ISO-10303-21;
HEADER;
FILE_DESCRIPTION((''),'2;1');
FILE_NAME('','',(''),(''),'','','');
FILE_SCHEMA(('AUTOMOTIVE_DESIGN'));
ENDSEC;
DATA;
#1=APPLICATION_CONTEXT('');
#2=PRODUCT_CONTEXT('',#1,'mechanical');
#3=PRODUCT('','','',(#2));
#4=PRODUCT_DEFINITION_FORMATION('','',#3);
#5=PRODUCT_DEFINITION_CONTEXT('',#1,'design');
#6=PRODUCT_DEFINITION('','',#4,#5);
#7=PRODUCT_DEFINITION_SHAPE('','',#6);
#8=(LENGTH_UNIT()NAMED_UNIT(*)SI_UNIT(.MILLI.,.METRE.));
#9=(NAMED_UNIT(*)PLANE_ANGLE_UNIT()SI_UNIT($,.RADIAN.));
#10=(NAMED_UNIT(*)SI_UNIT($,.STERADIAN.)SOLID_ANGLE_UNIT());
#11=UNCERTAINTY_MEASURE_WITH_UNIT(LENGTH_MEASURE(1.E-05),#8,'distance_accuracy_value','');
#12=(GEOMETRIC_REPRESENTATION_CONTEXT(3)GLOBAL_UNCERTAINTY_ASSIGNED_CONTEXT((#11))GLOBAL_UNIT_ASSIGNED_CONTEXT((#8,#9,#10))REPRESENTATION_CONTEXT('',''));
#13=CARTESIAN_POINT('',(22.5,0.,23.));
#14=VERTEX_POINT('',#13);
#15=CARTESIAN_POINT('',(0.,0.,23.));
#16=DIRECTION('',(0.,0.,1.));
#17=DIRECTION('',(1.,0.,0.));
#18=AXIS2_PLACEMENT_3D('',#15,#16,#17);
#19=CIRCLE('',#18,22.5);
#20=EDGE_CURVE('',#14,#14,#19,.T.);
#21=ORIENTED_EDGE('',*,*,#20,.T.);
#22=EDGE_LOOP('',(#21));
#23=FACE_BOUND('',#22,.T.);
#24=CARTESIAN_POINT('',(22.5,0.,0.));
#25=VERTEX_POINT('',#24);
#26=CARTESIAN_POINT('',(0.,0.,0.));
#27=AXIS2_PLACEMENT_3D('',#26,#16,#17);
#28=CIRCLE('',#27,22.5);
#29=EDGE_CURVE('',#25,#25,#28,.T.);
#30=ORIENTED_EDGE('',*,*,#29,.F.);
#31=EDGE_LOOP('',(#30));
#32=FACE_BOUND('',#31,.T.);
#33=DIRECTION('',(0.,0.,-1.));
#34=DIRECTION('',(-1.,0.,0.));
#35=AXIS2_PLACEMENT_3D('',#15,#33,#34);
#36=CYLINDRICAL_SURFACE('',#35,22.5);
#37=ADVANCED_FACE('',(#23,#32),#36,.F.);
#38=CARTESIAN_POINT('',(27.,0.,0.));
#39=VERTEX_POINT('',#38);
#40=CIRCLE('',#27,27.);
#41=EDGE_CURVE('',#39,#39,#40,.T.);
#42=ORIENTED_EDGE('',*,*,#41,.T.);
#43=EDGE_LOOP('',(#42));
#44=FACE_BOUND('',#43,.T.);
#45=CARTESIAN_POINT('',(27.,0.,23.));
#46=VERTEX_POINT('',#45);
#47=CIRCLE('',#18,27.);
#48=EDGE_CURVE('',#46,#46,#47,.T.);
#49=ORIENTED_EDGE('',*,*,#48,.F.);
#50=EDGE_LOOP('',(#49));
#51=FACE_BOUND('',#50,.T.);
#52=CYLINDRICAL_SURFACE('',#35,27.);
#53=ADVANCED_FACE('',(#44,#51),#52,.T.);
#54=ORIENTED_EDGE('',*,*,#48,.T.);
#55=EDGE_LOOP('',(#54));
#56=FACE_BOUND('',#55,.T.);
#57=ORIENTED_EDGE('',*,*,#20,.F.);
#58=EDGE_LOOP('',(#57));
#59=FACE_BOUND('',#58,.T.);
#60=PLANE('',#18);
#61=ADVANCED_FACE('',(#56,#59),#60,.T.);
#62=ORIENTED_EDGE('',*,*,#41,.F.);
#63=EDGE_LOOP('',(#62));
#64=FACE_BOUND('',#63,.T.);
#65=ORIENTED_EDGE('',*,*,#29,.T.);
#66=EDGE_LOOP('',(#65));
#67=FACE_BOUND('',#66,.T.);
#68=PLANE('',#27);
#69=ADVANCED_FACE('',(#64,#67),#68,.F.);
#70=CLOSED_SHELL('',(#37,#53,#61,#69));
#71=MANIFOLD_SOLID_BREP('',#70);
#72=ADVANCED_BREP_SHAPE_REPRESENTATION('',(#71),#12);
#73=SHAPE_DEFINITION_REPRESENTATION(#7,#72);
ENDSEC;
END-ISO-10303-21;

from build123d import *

# Parameters (mm, degrees)
ESBO_O1_R                = 27
ESBO_O1_R_2              = 22.5
RESSALTO_EXTRUS_O1_DEPTH = 23


with BuildPart() as part:
    # Esboço1 → Ressalto-extrusão1 (new body)
    with BuildSketch(Plane.XY):
        Circle(ESBO_O1_R)
        Circle(ESBO_O1_R_2, mode=Mode.SUBTRACT)
    extrude(amount=RESSALTO_EXTRUS_O1_DEPTH)


solid = part.part
